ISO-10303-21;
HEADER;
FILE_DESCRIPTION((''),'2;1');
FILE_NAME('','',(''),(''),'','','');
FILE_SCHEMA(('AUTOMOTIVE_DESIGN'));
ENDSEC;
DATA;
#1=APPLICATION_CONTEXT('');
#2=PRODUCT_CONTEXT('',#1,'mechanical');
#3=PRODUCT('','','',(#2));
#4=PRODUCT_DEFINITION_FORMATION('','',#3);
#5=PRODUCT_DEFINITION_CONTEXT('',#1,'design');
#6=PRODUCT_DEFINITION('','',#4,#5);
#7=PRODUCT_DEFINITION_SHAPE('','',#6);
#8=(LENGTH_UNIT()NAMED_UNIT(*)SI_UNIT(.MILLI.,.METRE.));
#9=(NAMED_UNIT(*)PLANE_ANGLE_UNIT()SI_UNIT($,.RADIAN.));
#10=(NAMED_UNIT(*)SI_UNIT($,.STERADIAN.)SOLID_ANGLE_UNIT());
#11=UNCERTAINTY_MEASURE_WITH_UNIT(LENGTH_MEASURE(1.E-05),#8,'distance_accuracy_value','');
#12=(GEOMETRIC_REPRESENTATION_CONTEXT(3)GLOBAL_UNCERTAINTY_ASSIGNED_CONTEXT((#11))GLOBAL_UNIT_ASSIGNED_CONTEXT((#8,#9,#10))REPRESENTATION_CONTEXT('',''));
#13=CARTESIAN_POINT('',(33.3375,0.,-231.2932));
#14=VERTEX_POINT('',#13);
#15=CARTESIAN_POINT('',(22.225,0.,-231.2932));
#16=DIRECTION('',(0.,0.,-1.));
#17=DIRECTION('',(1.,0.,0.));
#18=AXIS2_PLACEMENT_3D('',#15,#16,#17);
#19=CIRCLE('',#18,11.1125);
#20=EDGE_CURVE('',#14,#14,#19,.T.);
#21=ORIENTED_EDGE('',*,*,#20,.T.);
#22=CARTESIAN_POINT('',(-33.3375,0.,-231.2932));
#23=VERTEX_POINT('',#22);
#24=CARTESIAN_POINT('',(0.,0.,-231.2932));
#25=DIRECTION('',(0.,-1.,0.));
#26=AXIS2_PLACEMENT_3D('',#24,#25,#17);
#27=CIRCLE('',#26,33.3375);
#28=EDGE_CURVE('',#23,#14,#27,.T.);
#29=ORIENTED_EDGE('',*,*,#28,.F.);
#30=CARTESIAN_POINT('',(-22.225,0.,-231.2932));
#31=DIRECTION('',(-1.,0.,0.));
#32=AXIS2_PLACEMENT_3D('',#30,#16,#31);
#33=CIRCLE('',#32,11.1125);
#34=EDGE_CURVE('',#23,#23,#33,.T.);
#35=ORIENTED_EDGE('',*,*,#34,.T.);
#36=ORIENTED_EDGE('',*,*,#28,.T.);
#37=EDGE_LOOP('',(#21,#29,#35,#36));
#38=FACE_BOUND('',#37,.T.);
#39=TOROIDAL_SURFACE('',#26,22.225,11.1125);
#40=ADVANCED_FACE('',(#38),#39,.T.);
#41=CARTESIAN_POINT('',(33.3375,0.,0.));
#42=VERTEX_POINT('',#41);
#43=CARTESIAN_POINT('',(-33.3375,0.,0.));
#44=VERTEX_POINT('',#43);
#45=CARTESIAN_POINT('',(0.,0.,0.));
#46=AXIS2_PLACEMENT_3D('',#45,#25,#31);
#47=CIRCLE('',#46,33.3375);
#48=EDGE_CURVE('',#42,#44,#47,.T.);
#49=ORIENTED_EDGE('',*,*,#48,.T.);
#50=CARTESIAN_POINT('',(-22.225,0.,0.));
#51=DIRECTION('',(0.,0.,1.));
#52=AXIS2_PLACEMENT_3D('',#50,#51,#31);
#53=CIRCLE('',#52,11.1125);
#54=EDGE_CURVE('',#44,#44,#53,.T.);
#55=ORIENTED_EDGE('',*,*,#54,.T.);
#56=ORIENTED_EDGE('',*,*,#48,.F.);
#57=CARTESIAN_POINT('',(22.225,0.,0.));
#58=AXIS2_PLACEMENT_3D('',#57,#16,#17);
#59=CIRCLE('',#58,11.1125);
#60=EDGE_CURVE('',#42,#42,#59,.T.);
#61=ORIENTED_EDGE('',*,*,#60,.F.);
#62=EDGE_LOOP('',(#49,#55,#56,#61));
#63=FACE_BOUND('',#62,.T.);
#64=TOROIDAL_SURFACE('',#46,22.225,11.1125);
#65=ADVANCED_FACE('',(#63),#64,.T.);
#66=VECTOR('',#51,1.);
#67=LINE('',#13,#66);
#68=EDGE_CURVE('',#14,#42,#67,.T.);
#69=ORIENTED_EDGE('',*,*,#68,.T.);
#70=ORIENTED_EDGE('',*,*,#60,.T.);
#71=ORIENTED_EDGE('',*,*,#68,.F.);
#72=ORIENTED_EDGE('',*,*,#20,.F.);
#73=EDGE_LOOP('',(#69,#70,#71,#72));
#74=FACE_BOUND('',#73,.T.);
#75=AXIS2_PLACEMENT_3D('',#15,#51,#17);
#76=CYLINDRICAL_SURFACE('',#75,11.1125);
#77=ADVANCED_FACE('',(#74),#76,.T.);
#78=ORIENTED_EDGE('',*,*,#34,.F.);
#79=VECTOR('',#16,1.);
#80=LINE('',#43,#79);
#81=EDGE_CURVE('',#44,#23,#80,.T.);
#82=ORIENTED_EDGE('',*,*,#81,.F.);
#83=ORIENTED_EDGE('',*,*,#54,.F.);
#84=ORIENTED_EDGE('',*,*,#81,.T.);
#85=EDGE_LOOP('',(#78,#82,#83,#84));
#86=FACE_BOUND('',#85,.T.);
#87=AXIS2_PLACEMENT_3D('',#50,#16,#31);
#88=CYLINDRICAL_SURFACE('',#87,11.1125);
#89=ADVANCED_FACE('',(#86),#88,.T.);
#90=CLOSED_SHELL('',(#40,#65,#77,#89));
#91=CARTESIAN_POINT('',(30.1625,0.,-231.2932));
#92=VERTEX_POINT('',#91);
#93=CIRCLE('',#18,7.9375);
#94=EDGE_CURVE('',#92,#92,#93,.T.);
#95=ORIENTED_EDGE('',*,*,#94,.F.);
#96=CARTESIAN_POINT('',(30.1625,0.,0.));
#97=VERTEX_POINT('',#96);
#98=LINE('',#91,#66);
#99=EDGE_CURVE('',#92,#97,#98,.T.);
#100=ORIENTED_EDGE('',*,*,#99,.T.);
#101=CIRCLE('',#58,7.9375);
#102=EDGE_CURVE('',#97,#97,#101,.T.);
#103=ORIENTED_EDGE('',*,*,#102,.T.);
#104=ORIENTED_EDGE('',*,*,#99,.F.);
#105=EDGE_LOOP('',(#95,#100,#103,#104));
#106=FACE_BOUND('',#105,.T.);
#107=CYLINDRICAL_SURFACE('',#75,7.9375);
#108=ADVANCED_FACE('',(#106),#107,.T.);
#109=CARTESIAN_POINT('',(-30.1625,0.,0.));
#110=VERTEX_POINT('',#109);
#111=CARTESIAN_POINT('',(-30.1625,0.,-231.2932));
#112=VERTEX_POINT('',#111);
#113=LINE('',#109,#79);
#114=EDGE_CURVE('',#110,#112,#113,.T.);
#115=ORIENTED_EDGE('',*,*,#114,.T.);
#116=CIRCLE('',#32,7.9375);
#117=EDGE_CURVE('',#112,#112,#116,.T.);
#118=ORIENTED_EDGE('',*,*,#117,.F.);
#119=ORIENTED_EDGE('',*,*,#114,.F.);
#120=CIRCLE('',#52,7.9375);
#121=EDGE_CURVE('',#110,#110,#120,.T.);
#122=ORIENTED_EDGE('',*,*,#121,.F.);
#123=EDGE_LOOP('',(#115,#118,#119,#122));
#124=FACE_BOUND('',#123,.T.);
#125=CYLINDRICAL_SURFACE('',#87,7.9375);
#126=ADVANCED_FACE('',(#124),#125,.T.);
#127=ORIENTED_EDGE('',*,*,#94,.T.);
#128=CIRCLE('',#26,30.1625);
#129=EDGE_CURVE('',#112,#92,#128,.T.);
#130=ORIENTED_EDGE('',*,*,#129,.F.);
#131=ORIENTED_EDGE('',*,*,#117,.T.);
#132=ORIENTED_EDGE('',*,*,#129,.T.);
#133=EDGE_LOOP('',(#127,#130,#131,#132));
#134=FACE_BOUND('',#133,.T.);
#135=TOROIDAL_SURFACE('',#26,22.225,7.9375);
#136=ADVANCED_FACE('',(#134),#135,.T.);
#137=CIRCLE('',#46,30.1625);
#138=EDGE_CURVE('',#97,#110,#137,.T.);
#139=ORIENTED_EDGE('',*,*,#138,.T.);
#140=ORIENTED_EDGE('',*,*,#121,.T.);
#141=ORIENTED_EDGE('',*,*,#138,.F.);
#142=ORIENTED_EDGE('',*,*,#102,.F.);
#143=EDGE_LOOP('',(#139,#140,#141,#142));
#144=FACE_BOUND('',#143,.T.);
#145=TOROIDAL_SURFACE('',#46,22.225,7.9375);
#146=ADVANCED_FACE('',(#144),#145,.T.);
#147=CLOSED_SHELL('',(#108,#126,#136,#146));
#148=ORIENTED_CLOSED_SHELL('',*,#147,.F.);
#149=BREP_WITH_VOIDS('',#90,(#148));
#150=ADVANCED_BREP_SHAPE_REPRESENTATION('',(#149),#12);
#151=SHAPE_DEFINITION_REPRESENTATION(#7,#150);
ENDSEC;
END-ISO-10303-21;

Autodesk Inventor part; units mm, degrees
ref_plane "YZ Plane" through (0, 0, 0) normal (1, 0, 0) x (0, 1, 0)
ref_plane "XZ Plane" through (0, 0, 0) normal (0, 1, 0) x (-1, 0, 0)
ref_plane "XY Plane" through (0, 0, 0) normal (0, 0, 1) x (1, 0, 0)
sketch "Sketch1" plane through (0, 0, 0) normal (0, 1, 0) x (-1, 0, 0)
  circle A0 centre (0, 0) radius 22.225 construction
  circle A1 centre (0, -231.2932) radius 22.225 construction
  line L0 (22.225, 0) -> (22.225, -231.2932)
  line L1 (-22.225, -231.2932) -> (-22.225, 0)
  arc A2 (22.225, 0) -> (-22.225, 0) centre (0, 0) ccw
  arc A3 (-22.225, -231.2932) -> (22.225, -231.2932) centre (0, -231.2932) ccw
  dimension "d0" = 44.45
  dimension "d1" = 231.2932
sketch "Sketch2" plane through (0, 0, 0) normal (0, 0, 1) x (1, 0, 0)
  line L0 (22.225, 0) -> (-22.225, 0) construction
  circle A0 centre (22.225, 0) radius 11.1125
  circle A1 centre (22.225, 0) radius 7.9375
  point P0 (0, 0)
  dimension "d2" = 22.225
  dimension "d3" = 3.175
sweep "Sweep1" add profiles "Sketch2" path "Sketch1"
properties part number "OUTK_011_Tubing" material "Rubber"
